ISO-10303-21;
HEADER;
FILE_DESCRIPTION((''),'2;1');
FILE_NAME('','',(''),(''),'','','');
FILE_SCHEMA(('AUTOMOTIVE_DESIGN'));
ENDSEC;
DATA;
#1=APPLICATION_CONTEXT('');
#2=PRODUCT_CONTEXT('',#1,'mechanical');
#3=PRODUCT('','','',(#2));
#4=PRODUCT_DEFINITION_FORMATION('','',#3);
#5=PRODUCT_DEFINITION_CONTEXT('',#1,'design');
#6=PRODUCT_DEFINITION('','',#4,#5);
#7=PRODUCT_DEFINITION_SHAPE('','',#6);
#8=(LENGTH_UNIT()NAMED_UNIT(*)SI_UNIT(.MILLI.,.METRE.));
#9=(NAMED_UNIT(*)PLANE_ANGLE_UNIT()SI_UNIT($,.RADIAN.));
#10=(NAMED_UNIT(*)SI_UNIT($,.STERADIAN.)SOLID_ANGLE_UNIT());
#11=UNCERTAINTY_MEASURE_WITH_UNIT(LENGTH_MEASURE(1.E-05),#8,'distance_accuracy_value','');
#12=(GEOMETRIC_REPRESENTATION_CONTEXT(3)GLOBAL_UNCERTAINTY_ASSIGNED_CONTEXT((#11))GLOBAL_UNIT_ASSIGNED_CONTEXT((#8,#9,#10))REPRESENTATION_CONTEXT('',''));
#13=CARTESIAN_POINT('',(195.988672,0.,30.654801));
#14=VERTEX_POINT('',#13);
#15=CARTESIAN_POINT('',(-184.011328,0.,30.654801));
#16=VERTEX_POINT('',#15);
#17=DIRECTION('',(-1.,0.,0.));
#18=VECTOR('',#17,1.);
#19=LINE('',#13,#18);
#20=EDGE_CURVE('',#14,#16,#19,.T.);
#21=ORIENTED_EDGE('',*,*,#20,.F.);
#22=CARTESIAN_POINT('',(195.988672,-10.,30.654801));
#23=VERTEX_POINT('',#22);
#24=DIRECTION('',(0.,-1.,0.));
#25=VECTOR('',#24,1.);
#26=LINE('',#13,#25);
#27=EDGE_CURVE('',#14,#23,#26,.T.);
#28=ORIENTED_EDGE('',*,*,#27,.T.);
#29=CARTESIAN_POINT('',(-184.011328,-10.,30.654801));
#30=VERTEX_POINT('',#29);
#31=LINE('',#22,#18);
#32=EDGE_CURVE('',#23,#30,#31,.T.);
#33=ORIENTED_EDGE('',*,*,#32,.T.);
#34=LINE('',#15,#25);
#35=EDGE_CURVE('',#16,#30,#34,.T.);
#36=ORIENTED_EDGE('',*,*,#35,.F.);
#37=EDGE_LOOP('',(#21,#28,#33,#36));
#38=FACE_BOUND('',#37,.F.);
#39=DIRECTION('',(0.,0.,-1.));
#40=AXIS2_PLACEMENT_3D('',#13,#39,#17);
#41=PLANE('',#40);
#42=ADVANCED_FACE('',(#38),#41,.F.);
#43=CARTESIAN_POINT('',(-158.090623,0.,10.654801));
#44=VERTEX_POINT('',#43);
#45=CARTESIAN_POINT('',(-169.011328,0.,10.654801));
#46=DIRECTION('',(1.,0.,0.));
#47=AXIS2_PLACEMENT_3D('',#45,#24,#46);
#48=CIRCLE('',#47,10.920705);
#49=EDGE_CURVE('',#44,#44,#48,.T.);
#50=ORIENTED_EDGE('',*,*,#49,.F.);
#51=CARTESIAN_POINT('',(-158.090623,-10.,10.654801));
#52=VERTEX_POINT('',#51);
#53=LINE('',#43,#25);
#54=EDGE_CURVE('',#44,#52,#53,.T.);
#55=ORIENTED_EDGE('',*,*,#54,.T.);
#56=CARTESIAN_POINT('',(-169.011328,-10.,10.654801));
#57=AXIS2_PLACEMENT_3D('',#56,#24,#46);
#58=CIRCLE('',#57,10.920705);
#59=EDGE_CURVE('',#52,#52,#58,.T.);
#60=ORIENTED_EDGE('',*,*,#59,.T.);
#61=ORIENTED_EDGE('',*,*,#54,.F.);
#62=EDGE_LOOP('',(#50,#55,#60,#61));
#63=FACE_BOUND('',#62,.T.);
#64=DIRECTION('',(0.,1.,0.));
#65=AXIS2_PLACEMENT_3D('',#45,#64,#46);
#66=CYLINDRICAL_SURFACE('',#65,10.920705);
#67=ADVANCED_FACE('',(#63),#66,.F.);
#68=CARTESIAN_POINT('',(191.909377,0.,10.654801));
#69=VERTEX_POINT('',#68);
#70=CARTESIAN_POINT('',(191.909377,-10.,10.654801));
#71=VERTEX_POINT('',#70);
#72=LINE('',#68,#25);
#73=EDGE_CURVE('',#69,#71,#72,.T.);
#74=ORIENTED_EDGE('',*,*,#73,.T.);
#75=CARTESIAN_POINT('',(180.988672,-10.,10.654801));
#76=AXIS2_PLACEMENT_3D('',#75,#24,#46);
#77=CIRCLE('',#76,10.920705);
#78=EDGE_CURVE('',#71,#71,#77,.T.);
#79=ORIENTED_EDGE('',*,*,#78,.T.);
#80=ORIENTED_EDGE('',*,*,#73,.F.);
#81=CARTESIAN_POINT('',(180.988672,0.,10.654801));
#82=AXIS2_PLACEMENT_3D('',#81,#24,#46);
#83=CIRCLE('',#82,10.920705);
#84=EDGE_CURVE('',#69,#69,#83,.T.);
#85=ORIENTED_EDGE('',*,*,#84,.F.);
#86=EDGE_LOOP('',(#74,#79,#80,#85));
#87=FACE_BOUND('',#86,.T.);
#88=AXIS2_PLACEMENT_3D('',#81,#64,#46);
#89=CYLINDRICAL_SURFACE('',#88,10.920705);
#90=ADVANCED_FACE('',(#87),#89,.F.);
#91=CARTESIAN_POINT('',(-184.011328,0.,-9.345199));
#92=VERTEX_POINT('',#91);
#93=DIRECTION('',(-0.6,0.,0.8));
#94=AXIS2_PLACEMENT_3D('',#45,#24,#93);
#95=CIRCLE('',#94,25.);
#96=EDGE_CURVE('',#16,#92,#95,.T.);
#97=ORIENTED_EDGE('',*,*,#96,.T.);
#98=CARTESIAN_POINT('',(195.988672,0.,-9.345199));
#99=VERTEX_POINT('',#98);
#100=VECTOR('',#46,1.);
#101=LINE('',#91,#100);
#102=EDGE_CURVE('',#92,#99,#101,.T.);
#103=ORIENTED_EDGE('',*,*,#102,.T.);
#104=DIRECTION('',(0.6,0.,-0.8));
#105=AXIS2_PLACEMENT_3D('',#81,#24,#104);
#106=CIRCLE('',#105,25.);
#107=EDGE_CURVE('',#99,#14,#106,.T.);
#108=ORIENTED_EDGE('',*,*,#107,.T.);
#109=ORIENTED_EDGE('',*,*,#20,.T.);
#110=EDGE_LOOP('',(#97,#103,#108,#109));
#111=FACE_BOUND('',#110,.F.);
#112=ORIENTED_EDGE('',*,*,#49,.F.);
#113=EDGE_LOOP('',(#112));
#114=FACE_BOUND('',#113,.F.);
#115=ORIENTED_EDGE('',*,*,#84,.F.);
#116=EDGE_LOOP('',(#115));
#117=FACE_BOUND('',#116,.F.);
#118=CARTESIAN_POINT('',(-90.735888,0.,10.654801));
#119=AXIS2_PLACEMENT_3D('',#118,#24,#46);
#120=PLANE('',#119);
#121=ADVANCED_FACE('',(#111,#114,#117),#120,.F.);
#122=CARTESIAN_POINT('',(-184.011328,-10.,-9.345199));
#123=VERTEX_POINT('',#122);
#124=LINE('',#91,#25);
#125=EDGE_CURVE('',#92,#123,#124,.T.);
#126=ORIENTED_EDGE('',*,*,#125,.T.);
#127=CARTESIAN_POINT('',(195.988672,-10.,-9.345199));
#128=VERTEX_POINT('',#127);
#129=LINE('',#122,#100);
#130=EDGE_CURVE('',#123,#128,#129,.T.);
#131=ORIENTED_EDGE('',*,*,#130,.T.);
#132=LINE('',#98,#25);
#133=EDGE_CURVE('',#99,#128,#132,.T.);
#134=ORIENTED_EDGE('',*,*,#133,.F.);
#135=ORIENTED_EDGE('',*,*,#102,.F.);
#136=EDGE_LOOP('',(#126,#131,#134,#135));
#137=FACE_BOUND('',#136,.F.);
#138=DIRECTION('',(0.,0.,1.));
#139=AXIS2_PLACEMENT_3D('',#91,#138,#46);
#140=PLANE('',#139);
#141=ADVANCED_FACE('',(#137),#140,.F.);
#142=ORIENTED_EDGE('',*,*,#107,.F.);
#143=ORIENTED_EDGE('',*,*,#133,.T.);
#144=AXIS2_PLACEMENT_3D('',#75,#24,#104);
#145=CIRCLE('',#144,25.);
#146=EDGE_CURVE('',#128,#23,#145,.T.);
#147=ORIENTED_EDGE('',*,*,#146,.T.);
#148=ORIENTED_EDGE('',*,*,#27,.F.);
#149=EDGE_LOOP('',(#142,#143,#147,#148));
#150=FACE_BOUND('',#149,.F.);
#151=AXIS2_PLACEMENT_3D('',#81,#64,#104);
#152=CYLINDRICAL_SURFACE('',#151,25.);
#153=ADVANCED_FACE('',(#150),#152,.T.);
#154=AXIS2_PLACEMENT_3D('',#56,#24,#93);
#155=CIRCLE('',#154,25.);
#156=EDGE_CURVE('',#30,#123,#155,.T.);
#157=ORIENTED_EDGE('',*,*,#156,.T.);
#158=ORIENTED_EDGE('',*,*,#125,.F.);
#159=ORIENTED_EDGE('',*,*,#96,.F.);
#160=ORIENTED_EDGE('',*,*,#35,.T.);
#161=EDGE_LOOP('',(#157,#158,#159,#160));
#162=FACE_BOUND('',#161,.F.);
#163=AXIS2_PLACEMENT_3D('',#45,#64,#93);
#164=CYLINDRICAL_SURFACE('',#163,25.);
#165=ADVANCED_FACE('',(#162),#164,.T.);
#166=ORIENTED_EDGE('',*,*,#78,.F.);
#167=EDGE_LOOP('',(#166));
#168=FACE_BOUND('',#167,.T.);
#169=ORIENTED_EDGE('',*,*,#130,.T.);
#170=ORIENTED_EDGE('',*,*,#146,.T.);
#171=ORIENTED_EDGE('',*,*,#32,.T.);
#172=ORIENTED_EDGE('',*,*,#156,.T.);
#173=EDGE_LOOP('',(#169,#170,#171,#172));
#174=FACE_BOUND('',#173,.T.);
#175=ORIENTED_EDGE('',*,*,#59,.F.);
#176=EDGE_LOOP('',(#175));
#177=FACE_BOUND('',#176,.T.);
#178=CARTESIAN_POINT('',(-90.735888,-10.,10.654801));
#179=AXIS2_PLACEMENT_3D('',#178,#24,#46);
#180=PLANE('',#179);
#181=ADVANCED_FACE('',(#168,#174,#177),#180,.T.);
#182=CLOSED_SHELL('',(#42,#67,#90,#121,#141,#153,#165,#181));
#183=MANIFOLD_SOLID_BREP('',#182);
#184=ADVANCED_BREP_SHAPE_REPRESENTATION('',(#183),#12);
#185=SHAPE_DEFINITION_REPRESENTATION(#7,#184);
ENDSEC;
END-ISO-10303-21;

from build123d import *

# Parameters (mm, degrees)
F0_R     = 10.920705
F1_DEPTH = 10


with BuildPart() as f1:
    # F0 (on Front) → F1 (new body)
    with BuildSketch(Plane.XZ):
        with BuildLine():
            Line((5.988672, 30.654801), (-184.011328, 30.654801))
            ThreePointArc((-184.011328, 30.654801), (-194.011328, 10.654801), (-184.011328, -9.345199))
            Line((-184.011328, -9.345199), (5.988672, -9.345199))
            Line((5.988672, -9.345199), (5.988672, 30.654801))
        make_face()
        with Locations((-169.011328, 10.654801)):
            Circle(F0_R, mode=Mode.SUBTRACT)
        with BuildLine():
            Line((195.988672, 30.654801), (5.988672, 30.654801))
            Line((5.988672, 30.654801), (5.988672, -9.345199))
            Line((5.988672, -9.345199), (195.988672, -9.345199))
            ThreePointArc((195.988672, -9.345199), (205.988672, 10.654801), (195.988672, 30.654801))
        make_face()
        with Locations((180.988672, 10.654801)):
            Circle(F0_R, mode=Mode.SUBTRACT)
    extrude(amount=F1_DEPTH)


solid = f1.part
